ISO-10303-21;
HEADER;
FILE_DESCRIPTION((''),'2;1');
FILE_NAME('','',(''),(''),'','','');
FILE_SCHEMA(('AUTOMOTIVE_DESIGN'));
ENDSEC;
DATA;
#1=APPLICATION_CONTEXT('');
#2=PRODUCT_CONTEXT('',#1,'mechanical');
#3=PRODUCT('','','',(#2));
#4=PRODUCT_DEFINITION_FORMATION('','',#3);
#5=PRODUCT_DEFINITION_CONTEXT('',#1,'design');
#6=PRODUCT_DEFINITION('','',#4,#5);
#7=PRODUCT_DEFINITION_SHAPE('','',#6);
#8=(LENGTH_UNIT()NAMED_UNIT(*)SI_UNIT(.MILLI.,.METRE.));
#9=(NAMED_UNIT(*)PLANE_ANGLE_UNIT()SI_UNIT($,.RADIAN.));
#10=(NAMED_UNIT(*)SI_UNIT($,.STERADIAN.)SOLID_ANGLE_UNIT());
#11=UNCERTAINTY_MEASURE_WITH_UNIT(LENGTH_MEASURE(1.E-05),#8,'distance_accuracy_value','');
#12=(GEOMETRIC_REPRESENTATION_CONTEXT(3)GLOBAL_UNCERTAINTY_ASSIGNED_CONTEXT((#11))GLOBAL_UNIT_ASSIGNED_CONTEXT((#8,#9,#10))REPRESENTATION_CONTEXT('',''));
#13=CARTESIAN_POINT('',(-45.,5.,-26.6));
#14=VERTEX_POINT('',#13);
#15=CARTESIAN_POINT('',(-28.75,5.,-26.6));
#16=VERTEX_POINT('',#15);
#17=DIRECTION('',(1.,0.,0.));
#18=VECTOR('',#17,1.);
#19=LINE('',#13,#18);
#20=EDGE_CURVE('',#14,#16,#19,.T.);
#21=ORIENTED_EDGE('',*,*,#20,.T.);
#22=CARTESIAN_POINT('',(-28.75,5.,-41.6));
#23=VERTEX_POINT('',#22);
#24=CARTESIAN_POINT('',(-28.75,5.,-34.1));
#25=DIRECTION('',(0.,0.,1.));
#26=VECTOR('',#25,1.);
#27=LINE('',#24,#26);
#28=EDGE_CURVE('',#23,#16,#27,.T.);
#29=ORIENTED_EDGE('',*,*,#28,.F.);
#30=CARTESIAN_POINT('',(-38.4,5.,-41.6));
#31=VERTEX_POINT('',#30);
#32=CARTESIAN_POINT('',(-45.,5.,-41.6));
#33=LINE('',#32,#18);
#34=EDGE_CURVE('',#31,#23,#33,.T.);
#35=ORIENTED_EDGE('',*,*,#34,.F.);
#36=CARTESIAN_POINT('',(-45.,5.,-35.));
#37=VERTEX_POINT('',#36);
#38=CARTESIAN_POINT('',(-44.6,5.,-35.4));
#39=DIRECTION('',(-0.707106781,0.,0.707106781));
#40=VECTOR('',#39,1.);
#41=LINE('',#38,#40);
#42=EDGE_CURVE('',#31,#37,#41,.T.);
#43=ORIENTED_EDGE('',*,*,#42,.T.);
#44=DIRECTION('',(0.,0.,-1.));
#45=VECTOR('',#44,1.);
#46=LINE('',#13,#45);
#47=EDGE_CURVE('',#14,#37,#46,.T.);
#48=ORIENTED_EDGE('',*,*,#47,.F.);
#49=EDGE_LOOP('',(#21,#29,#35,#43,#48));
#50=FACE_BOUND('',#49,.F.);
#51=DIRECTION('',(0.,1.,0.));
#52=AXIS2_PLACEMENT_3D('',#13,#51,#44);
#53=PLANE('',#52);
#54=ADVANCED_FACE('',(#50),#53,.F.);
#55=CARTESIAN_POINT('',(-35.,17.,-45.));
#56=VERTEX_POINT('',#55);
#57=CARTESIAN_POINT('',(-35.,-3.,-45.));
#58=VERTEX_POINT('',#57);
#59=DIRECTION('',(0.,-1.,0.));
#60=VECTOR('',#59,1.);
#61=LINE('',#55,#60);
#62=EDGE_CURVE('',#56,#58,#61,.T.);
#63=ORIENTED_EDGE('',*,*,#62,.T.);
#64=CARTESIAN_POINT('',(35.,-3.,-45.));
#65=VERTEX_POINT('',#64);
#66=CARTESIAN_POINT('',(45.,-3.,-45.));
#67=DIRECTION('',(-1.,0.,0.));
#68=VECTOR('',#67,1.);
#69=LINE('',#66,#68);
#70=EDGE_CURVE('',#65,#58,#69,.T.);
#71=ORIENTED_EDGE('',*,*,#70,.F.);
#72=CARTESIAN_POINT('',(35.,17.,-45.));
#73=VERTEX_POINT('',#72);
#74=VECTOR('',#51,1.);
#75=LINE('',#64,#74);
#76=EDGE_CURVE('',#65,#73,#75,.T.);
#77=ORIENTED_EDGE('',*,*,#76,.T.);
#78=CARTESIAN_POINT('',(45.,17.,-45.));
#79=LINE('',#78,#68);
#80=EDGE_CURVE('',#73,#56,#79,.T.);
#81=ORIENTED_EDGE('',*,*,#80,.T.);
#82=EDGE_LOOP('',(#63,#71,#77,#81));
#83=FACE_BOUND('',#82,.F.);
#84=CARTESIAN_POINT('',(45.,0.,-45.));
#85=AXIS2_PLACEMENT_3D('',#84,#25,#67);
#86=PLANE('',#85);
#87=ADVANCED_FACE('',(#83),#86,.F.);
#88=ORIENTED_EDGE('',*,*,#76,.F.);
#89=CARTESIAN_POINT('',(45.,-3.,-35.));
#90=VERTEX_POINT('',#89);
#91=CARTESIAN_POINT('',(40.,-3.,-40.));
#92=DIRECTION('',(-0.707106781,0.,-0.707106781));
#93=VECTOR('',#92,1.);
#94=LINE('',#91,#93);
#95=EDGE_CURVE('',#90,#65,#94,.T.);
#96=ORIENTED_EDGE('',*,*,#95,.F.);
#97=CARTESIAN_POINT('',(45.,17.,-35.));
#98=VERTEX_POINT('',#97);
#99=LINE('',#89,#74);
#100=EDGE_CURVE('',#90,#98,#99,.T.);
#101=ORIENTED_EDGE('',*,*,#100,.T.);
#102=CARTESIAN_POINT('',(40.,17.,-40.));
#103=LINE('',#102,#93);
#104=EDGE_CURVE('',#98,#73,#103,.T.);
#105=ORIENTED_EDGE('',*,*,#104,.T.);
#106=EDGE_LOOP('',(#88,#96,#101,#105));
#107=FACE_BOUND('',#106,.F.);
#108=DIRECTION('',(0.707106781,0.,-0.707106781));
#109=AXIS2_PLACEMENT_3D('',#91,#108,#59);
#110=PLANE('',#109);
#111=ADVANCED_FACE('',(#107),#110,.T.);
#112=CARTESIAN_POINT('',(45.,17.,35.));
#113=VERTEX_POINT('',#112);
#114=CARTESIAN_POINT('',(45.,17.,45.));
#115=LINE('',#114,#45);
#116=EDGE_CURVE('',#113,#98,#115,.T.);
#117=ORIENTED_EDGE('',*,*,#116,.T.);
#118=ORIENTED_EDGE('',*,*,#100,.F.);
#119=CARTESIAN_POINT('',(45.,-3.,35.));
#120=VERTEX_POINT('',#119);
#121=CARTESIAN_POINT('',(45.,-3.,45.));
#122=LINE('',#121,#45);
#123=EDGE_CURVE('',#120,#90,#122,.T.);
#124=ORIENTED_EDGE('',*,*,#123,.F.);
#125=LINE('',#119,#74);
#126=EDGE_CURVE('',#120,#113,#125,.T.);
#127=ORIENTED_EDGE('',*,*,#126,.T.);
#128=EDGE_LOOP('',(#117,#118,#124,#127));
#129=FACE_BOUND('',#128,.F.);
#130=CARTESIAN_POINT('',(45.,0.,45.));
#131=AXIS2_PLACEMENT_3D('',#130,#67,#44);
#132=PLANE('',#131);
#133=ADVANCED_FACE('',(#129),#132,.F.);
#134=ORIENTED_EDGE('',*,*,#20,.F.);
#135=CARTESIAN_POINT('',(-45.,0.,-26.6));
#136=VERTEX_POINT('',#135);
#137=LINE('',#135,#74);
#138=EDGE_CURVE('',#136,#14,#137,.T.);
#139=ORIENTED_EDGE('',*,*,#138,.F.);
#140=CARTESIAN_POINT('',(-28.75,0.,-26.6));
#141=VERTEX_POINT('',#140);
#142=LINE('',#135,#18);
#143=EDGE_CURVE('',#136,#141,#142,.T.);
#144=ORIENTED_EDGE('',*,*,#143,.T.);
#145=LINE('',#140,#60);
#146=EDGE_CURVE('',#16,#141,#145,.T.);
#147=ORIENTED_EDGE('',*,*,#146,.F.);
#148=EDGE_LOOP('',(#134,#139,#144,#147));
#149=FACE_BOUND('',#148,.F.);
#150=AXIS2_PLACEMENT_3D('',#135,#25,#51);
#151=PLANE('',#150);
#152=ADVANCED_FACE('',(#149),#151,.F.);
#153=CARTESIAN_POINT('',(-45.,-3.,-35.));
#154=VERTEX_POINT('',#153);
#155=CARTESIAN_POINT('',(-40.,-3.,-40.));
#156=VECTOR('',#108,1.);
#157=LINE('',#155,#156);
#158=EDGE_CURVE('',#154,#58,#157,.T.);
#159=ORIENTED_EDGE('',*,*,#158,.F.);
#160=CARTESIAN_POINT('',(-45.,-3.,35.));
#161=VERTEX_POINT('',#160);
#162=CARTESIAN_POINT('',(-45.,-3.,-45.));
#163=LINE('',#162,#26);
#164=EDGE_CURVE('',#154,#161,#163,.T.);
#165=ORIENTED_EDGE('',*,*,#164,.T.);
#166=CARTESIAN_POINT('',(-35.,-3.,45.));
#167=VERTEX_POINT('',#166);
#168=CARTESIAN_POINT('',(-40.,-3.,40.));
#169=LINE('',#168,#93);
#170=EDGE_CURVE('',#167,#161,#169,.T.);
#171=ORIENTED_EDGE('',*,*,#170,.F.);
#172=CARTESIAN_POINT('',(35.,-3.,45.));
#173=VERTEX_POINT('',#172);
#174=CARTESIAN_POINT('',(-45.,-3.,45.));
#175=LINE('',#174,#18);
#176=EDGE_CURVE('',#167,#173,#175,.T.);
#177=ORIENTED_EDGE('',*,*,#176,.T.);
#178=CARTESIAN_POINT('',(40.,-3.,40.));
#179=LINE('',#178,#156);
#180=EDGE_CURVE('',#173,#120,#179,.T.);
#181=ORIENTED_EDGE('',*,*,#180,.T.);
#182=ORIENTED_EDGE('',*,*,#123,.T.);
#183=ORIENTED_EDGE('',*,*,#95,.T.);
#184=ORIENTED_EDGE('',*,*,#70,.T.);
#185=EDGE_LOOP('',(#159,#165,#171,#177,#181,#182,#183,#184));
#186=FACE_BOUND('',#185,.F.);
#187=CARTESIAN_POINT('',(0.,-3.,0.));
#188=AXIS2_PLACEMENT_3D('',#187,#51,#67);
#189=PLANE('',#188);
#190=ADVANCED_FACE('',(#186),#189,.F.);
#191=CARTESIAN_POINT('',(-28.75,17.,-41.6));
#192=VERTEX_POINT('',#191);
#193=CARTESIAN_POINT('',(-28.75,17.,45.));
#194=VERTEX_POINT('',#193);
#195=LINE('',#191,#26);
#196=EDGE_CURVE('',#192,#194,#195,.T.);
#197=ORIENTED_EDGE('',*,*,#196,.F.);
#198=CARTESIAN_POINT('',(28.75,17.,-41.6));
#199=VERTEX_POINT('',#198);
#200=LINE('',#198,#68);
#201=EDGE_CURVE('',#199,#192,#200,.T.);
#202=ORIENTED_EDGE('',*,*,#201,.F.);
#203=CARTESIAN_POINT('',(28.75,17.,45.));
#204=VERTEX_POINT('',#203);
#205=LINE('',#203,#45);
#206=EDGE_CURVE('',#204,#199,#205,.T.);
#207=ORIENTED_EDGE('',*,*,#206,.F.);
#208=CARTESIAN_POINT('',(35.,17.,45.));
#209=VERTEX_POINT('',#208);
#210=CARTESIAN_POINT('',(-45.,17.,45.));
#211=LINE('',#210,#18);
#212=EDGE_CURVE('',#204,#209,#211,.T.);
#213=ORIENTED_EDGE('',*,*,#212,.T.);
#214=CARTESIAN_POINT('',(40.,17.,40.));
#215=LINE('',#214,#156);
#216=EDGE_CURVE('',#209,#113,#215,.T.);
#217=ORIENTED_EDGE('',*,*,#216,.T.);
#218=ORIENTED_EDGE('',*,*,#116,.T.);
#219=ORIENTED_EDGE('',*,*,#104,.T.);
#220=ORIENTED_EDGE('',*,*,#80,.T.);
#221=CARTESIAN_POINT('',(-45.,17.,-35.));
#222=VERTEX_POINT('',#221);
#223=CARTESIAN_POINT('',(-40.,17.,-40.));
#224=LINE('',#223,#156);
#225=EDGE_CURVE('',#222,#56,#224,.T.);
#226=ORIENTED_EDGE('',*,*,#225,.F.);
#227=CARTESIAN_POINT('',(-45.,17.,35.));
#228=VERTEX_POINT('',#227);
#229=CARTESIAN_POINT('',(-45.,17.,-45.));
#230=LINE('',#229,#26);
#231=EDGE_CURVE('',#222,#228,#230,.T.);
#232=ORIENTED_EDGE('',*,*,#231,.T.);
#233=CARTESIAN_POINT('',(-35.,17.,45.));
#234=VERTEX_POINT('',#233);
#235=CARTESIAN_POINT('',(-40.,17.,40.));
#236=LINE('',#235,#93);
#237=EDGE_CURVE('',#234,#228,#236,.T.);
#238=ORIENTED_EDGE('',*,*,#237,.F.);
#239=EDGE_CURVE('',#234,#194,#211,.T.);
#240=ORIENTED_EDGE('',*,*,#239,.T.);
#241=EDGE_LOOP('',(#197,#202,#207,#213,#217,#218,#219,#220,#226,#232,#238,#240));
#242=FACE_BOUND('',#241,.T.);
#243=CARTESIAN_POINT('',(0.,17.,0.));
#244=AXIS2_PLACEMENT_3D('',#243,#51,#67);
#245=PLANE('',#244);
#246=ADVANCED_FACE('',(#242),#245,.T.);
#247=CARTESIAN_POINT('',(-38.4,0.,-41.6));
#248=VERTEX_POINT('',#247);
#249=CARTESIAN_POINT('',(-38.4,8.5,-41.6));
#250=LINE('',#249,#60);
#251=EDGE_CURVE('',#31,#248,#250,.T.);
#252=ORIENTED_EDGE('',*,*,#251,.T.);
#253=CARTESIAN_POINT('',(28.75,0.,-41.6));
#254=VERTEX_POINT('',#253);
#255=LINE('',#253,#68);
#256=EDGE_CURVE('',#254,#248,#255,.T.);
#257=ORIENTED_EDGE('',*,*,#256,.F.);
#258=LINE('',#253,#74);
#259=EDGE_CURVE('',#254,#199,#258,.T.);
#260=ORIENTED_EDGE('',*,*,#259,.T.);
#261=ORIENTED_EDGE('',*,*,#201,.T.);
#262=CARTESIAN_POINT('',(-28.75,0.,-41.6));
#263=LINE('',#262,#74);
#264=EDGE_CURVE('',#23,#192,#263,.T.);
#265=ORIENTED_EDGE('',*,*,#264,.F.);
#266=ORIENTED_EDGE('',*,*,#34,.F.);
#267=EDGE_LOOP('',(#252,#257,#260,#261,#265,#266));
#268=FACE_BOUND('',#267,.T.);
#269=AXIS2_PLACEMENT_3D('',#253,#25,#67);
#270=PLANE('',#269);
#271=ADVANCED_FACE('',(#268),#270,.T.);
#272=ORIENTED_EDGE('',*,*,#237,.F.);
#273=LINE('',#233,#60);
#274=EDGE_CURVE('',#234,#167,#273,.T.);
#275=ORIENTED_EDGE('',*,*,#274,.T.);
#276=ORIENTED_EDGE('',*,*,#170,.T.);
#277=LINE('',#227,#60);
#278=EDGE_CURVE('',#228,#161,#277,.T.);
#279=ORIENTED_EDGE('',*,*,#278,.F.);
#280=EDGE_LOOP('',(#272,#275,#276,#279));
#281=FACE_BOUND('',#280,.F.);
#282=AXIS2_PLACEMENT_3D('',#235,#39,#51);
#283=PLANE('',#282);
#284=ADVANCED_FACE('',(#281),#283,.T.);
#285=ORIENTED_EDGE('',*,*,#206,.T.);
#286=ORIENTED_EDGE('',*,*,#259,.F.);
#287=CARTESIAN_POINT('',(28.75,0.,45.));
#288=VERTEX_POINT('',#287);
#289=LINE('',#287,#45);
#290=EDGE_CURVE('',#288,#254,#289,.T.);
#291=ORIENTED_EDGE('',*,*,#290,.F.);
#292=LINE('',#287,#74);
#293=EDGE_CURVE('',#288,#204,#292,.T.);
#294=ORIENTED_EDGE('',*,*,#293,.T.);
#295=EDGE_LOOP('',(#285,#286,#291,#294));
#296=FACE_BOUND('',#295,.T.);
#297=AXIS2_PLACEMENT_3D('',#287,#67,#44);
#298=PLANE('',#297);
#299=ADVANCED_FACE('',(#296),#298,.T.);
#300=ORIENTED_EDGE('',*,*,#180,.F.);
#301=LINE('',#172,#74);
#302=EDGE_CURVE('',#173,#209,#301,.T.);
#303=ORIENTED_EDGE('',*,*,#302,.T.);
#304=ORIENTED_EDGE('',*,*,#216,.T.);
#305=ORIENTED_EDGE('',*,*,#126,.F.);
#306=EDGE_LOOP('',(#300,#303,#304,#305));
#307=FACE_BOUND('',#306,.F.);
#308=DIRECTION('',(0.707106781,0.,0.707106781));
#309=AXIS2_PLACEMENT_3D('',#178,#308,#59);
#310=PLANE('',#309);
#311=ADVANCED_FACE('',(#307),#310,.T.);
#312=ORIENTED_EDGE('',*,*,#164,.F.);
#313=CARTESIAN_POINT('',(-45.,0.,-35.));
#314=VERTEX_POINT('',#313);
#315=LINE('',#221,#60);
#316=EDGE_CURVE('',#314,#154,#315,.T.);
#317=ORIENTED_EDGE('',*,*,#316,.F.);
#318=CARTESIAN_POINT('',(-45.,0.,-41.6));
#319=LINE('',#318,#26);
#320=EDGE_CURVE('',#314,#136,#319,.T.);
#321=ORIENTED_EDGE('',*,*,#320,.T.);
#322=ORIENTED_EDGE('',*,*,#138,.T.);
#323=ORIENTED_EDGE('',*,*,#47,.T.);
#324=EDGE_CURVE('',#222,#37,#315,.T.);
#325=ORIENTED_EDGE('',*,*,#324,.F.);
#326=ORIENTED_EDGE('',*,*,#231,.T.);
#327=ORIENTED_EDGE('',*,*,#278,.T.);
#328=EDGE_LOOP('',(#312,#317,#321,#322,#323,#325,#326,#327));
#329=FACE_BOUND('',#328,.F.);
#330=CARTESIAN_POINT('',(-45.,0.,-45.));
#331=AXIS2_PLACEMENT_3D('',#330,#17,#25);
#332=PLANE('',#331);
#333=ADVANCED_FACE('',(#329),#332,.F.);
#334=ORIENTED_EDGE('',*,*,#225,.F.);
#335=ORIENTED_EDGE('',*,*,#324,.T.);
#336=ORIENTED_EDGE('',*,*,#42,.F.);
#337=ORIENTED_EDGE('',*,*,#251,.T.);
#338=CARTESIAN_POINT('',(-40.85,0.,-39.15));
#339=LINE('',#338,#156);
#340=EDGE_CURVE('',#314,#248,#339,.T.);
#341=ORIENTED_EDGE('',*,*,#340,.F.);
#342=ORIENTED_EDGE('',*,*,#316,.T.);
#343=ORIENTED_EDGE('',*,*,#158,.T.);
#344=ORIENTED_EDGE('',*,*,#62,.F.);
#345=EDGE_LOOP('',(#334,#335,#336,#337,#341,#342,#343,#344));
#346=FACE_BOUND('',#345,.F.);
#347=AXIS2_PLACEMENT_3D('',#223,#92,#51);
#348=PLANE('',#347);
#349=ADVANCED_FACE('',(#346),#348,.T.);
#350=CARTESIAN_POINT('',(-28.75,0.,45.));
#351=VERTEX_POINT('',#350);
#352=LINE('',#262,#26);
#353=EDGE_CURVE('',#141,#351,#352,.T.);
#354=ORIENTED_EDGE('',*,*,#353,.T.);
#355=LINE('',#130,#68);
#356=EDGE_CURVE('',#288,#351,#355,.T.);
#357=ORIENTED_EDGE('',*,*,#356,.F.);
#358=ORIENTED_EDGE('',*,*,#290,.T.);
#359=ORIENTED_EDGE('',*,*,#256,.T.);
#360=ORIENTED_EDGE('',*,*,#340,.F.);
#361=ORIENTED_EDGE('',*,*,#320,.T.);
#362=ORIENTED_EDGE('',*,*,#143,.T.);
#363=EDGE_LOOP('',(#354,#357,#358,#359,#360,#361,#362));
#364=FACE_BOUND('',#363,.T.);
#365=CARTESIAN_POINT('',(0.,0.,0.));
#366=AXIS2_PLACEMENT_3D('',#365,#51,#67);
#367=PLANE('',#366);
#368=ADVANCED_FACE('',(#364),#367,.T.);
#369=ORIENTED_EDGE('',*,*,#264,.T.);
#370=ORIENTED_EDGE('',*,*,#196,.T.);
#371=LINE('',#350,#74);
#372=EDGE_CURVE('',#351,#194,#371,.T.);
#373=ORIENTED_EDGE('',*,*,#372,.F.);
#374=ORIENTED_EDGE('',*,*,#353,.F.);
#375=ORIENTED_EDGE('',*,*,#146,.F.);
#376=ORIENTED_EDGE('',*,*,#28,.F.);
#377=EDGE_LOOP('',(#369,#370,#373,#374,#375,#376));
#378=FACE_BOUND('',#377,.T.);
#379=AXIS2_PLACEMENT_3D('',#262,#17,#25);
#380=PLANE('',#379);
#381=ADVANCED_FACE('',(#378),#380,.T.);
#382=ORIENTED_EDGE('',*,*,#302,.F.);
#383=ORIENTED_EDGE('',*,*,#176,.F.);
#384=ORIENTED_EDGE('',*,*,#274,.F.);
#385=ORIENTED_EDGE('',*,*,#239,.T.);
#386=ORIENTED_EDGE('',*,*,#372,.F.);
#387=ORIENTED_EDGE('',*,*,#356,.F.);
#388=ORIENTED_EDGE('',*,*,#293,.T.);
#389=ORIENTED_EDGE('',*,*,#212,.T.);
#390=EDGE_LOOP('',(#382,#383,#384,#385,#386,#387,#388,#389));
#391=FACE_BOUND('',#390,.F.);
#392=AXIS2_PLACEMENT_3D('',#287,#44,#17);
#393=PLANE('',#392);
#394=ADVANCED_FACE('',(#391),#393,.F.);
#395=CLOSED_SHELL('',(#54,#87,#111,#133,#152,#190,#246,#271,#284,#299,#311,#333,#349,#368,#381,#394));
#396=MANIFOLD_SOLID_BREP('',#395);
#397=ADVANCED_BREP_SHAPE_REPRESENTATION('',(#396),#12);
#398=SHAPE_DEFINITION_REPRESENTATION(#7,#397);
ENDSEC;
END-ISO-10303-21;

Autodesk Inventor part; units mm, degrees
ref_plane "YZ Plane" through (0, 0, 0) normal (1, 0, 0) x (0, 1, 0)
ref_plane "XZ Plane" through (0, 0, 0) normal (0, 1, 0) x (-1, 0, 0)
ref_plane "XY Plane" through (0, 0, 0) normal (0, 0, 1) x (1, 0, 0)
sketch "Sketch1" plane through (0, 0, 0) normal (0, 1, 0) x (-1, 0, 0)
  line L0 (28.75, 45) -> (-28.75, 45) construction
  line L1 (-28.75, 45) -> (-28.75, -41.6)
  line L2 (-28.75, -41.6) -> (28.75, -41.6)
  line L3 (28.75, -41.6) -> (28.75, 45)
  line L4 (28.75, 45) -> (-28.75, -41.6) construction
  line L5 (-28.75, 45) -> (28.75, -41.6) construction
  line L6 (45, 45) -> (-45, 45)
  line L7 (-45, 45) -> (-45, -45)
  line L8 (-45, -45) -> (45, -45)
  line L9 (45, -45) -> (45, 45)
  line L10 (45, 45) -> (-45, -45) construction
  line L11 (-45, 45) -> (45, -45) construction
  point P0 (0, 0)
  point P1 (0, 1.7)
  point P2 (28.75, 45)
  dimension "d0" = 57.5
  dimension "d1" = 86.6
  dimension "d2" = 90
  dimension "d3" = 90
  dimension "d4" = 0
  dimension "d5" = 0
extrude "Extrusion1" add sketch "Sketch1" against normal blind 3
extrude "Extrusion2" add sketch "Sketch1" along normal blind 17 contours L1 L2 L3 L6 L9 L8 L7
chamfer "Chamfer1" distance 10 angle 45 4 edges at (-45, 7, 45) (-45, 7, -45) (45, 7, -45) (45, 7, 45)
sketch "Sketch2" plane through (-45, -3, -35) normal (-1, 0, 0) x (0, 0, 1)
  line L0 (-6.6, 3) -> (-6.6, 20) projected
  line L1 (-6.6, 3) -> (8.4, 3)
  line L2 (8.4, 3) -> (8.4, 8)
  line L3 (8.4, 8) -> (-6.6, 8)
  line L4 (-6.6, 8) -> (-6.6, 3)
  point P0 (35, 3)
  dimension "d13" = 15
  dimension "d14" = 5
extrude "Extrusion3" cut sketch "Sketch2" against normal blind 16.75
properties part number "console case"
